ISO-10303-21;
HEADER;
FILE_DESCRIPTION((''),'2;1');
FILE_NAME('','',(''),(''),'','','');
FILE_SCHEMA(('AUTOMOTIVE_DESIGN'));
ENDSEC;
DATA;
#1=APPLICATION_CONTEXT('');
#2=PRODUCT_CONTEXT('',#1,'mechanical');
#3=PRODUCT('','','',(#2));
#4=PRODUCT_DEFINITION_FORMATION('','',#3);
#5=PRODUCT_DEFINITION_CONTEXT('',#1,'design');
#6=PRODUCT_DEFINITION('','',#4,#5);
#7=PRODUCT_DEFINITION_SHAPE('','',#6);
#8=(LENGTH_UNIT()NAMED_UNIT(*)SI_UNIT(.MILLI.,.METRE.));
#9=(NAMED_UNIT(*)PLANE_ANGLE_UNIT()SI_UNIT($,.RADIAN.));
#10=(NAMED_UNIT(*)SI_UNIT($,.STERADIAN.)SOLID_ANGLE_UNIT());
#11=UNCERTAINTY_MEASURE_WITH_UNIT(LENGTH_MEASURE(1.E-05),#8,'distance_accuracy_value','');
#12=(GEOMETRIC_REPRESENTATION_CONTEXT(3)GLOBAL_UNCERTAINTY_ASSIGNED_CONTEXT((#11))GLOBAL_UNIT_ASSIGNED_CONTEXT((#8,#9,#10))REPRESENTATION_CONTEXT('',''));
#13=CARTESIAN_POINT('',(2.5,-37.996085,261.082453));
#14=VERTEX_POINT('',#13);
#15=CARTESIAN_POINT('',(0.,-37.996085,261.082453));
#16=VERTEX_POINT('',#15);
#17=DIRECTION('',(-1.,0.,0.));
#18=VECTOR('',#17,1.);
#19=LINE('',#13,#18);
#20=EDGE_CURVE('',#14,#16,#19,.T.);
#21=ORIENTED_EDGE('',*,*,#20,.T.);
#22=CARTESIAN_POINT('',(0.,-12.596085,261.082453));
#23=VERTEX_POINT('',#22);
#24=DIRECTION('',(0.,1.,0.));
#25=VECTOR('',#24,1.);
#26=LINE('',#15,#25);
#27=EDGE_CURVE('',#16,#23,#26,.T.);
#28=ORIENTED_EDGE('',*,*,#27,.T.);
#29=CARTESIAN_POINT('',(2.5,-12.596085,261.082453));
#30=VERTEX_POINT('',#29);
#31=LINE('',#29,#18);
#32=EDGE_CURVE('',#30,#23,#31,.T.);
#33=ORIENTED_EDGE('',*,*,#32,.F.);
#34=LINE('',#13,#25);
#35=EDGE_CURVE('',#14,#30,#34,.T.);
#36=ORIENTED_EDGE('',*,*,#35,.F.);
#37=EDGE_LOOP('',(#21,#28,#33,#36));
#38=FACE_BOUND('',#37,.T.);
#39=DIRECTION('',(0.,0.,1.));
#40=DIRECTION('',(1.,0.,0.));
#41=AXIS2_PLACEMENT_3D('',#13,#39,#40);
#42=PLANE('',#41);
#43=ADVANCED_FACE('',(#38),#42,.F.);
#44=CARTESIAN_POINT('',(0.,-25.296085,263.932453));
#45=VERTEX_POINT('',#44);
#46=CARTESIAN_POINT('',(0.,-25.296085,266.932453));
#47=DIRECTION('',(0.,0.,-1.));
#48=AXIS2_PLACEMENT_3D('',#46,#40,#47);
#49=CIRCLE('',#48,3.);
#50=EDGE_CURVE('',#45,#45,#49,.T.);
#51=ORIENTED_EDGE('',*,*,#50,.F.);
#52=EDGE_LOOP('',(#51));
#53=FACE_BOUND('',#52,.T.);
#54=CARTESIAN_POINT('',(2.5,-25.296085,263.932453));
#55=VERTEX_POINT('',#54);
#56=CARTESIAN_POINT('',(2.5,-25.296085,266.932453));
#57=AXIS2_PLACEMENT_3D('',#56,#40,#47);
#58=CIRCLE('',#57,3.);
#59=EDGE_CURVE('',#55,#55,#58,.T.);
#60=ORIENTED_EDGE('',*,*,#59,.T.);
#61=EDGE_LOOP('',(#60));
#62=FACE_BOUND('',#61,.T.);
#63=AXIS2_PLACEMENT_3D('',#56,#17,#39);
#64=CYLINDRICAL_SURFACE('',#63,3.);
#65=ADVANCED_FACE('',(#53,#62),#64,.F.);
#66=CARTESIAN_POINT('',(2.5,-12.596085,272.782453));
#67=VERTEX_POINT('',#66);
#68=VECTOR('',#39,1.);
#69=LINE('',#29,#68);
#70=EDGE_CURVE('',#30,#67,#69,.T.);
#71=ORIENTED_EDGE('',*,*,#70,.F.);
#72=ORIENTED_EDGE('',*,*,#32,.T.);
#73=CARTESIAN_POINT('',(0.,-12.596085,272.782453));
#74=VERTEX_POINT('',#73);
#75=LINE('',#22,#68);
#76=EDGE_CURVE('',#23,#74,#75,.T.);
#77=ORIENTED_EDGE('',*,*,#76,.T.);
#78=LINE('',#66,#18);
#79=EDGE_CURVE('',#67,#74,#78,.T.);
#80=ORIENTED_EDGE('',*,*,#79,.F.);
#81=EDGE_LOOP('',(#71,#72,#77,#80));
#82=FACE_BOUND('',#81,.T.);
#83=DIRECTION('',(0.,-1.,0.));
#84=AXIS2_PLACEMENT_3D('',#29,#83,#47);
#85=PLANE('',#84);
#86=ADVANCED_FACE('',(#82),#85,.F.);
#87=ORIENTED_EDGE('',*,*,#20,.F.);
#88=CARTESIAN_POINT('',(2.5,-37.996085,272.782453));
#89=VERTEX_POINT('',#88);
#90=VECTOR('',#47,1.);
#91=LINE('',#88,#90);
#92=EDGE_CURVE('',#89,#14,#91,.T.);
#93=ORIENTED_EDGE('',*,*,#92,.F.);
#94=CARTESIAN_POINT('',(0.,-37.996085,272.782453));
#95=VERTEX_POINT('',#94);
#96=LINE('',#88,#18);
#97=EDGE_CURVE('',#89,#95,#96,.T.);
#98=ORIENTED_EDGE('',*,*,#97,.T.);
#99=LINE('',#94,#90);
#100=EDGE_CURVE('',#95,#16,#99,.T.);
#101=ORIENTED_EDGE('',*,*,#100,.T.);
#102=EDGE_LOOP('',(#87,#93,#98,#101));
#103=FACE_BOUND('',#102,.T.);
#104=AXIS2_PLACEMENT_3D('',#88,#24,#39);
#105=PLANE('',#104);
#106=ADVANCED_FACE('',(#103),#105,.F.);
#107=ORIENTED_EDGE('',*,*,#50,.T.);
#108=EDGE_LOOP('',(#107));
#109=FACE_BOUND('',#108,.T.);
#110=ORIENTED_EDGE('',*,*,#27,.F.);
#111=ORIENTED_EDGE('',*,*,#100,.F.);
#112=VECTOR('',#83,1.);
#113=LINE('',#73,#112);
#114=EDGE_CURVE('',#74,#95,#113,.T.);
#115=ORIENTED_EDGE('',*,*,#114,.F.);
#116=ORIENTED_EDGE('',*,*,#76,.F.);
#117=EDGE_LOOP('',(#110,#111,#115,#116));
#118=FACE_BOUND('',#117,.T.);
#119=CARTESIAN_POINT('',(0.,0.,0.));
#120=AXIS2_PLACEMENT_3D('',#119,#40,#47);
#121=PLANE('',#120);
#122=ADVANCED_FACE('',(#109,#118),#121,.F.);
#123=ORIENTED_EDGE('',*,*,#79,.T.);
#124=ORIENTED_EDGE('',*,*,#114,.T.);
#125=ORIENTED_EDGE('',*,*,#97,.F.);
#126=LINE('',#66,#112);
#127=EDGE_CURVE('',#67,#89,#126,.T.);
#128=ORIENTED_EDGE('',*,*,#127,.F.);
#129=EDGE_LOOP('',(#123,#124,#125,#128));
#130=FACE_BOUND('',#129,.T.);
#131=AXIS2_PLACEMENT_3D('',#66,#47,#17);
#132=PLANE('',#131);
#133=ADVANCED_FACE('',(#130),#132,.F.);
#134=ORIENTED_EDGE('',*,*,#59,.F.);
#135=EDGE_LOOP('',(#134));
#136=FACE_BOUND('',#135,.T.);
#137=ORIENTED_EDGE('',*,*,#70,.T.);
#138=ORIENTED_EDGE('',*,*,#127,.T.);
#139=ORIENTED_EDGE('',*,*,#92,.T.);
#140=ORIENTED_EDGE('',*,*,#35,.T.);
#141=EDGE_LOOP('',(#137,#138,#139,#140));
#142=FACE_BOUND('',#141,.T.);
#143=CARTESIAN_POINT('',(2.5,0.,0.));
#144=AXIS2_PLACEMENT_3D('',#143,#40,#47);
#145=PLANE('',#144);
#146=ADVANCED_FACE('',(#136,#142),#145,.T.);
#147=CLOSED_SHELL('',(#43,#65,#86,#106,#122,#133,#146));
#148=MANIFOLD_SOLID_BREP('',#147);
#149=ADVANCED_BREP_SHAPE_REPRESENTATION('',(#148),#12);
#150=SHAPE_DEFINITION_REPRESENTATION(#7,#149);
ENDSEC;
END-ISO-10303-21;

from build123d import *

# Parameters (mm, degrees)
SKETCH1_W           = 11.7
SKETCH1_H           = 25.4
SKETCH1_R           = 3
BOSS_EXTRUDE1_DEPTH = 2.5


with BuildPart() as part:
    # Sketch1 → Boss-Extrude1 (new body)
    with BuildSketch(Plane(origin=(0, 0, 0), x_dir=(0, 0, -1), z_dir=(1, 0, 0))):
        with Locations((-266.932453234, -25.29608512)):
            Rectangle(SKETCH1_W, SKETCH1_H)
        with Locations((-266.932453234, -25.29608512)):
            Circle(SKETCH1_R, mode=Mode.SUBTRACT)
    extrude(amount=BOSS_EXTRUDE1_DEPTH)


solid = part.part
